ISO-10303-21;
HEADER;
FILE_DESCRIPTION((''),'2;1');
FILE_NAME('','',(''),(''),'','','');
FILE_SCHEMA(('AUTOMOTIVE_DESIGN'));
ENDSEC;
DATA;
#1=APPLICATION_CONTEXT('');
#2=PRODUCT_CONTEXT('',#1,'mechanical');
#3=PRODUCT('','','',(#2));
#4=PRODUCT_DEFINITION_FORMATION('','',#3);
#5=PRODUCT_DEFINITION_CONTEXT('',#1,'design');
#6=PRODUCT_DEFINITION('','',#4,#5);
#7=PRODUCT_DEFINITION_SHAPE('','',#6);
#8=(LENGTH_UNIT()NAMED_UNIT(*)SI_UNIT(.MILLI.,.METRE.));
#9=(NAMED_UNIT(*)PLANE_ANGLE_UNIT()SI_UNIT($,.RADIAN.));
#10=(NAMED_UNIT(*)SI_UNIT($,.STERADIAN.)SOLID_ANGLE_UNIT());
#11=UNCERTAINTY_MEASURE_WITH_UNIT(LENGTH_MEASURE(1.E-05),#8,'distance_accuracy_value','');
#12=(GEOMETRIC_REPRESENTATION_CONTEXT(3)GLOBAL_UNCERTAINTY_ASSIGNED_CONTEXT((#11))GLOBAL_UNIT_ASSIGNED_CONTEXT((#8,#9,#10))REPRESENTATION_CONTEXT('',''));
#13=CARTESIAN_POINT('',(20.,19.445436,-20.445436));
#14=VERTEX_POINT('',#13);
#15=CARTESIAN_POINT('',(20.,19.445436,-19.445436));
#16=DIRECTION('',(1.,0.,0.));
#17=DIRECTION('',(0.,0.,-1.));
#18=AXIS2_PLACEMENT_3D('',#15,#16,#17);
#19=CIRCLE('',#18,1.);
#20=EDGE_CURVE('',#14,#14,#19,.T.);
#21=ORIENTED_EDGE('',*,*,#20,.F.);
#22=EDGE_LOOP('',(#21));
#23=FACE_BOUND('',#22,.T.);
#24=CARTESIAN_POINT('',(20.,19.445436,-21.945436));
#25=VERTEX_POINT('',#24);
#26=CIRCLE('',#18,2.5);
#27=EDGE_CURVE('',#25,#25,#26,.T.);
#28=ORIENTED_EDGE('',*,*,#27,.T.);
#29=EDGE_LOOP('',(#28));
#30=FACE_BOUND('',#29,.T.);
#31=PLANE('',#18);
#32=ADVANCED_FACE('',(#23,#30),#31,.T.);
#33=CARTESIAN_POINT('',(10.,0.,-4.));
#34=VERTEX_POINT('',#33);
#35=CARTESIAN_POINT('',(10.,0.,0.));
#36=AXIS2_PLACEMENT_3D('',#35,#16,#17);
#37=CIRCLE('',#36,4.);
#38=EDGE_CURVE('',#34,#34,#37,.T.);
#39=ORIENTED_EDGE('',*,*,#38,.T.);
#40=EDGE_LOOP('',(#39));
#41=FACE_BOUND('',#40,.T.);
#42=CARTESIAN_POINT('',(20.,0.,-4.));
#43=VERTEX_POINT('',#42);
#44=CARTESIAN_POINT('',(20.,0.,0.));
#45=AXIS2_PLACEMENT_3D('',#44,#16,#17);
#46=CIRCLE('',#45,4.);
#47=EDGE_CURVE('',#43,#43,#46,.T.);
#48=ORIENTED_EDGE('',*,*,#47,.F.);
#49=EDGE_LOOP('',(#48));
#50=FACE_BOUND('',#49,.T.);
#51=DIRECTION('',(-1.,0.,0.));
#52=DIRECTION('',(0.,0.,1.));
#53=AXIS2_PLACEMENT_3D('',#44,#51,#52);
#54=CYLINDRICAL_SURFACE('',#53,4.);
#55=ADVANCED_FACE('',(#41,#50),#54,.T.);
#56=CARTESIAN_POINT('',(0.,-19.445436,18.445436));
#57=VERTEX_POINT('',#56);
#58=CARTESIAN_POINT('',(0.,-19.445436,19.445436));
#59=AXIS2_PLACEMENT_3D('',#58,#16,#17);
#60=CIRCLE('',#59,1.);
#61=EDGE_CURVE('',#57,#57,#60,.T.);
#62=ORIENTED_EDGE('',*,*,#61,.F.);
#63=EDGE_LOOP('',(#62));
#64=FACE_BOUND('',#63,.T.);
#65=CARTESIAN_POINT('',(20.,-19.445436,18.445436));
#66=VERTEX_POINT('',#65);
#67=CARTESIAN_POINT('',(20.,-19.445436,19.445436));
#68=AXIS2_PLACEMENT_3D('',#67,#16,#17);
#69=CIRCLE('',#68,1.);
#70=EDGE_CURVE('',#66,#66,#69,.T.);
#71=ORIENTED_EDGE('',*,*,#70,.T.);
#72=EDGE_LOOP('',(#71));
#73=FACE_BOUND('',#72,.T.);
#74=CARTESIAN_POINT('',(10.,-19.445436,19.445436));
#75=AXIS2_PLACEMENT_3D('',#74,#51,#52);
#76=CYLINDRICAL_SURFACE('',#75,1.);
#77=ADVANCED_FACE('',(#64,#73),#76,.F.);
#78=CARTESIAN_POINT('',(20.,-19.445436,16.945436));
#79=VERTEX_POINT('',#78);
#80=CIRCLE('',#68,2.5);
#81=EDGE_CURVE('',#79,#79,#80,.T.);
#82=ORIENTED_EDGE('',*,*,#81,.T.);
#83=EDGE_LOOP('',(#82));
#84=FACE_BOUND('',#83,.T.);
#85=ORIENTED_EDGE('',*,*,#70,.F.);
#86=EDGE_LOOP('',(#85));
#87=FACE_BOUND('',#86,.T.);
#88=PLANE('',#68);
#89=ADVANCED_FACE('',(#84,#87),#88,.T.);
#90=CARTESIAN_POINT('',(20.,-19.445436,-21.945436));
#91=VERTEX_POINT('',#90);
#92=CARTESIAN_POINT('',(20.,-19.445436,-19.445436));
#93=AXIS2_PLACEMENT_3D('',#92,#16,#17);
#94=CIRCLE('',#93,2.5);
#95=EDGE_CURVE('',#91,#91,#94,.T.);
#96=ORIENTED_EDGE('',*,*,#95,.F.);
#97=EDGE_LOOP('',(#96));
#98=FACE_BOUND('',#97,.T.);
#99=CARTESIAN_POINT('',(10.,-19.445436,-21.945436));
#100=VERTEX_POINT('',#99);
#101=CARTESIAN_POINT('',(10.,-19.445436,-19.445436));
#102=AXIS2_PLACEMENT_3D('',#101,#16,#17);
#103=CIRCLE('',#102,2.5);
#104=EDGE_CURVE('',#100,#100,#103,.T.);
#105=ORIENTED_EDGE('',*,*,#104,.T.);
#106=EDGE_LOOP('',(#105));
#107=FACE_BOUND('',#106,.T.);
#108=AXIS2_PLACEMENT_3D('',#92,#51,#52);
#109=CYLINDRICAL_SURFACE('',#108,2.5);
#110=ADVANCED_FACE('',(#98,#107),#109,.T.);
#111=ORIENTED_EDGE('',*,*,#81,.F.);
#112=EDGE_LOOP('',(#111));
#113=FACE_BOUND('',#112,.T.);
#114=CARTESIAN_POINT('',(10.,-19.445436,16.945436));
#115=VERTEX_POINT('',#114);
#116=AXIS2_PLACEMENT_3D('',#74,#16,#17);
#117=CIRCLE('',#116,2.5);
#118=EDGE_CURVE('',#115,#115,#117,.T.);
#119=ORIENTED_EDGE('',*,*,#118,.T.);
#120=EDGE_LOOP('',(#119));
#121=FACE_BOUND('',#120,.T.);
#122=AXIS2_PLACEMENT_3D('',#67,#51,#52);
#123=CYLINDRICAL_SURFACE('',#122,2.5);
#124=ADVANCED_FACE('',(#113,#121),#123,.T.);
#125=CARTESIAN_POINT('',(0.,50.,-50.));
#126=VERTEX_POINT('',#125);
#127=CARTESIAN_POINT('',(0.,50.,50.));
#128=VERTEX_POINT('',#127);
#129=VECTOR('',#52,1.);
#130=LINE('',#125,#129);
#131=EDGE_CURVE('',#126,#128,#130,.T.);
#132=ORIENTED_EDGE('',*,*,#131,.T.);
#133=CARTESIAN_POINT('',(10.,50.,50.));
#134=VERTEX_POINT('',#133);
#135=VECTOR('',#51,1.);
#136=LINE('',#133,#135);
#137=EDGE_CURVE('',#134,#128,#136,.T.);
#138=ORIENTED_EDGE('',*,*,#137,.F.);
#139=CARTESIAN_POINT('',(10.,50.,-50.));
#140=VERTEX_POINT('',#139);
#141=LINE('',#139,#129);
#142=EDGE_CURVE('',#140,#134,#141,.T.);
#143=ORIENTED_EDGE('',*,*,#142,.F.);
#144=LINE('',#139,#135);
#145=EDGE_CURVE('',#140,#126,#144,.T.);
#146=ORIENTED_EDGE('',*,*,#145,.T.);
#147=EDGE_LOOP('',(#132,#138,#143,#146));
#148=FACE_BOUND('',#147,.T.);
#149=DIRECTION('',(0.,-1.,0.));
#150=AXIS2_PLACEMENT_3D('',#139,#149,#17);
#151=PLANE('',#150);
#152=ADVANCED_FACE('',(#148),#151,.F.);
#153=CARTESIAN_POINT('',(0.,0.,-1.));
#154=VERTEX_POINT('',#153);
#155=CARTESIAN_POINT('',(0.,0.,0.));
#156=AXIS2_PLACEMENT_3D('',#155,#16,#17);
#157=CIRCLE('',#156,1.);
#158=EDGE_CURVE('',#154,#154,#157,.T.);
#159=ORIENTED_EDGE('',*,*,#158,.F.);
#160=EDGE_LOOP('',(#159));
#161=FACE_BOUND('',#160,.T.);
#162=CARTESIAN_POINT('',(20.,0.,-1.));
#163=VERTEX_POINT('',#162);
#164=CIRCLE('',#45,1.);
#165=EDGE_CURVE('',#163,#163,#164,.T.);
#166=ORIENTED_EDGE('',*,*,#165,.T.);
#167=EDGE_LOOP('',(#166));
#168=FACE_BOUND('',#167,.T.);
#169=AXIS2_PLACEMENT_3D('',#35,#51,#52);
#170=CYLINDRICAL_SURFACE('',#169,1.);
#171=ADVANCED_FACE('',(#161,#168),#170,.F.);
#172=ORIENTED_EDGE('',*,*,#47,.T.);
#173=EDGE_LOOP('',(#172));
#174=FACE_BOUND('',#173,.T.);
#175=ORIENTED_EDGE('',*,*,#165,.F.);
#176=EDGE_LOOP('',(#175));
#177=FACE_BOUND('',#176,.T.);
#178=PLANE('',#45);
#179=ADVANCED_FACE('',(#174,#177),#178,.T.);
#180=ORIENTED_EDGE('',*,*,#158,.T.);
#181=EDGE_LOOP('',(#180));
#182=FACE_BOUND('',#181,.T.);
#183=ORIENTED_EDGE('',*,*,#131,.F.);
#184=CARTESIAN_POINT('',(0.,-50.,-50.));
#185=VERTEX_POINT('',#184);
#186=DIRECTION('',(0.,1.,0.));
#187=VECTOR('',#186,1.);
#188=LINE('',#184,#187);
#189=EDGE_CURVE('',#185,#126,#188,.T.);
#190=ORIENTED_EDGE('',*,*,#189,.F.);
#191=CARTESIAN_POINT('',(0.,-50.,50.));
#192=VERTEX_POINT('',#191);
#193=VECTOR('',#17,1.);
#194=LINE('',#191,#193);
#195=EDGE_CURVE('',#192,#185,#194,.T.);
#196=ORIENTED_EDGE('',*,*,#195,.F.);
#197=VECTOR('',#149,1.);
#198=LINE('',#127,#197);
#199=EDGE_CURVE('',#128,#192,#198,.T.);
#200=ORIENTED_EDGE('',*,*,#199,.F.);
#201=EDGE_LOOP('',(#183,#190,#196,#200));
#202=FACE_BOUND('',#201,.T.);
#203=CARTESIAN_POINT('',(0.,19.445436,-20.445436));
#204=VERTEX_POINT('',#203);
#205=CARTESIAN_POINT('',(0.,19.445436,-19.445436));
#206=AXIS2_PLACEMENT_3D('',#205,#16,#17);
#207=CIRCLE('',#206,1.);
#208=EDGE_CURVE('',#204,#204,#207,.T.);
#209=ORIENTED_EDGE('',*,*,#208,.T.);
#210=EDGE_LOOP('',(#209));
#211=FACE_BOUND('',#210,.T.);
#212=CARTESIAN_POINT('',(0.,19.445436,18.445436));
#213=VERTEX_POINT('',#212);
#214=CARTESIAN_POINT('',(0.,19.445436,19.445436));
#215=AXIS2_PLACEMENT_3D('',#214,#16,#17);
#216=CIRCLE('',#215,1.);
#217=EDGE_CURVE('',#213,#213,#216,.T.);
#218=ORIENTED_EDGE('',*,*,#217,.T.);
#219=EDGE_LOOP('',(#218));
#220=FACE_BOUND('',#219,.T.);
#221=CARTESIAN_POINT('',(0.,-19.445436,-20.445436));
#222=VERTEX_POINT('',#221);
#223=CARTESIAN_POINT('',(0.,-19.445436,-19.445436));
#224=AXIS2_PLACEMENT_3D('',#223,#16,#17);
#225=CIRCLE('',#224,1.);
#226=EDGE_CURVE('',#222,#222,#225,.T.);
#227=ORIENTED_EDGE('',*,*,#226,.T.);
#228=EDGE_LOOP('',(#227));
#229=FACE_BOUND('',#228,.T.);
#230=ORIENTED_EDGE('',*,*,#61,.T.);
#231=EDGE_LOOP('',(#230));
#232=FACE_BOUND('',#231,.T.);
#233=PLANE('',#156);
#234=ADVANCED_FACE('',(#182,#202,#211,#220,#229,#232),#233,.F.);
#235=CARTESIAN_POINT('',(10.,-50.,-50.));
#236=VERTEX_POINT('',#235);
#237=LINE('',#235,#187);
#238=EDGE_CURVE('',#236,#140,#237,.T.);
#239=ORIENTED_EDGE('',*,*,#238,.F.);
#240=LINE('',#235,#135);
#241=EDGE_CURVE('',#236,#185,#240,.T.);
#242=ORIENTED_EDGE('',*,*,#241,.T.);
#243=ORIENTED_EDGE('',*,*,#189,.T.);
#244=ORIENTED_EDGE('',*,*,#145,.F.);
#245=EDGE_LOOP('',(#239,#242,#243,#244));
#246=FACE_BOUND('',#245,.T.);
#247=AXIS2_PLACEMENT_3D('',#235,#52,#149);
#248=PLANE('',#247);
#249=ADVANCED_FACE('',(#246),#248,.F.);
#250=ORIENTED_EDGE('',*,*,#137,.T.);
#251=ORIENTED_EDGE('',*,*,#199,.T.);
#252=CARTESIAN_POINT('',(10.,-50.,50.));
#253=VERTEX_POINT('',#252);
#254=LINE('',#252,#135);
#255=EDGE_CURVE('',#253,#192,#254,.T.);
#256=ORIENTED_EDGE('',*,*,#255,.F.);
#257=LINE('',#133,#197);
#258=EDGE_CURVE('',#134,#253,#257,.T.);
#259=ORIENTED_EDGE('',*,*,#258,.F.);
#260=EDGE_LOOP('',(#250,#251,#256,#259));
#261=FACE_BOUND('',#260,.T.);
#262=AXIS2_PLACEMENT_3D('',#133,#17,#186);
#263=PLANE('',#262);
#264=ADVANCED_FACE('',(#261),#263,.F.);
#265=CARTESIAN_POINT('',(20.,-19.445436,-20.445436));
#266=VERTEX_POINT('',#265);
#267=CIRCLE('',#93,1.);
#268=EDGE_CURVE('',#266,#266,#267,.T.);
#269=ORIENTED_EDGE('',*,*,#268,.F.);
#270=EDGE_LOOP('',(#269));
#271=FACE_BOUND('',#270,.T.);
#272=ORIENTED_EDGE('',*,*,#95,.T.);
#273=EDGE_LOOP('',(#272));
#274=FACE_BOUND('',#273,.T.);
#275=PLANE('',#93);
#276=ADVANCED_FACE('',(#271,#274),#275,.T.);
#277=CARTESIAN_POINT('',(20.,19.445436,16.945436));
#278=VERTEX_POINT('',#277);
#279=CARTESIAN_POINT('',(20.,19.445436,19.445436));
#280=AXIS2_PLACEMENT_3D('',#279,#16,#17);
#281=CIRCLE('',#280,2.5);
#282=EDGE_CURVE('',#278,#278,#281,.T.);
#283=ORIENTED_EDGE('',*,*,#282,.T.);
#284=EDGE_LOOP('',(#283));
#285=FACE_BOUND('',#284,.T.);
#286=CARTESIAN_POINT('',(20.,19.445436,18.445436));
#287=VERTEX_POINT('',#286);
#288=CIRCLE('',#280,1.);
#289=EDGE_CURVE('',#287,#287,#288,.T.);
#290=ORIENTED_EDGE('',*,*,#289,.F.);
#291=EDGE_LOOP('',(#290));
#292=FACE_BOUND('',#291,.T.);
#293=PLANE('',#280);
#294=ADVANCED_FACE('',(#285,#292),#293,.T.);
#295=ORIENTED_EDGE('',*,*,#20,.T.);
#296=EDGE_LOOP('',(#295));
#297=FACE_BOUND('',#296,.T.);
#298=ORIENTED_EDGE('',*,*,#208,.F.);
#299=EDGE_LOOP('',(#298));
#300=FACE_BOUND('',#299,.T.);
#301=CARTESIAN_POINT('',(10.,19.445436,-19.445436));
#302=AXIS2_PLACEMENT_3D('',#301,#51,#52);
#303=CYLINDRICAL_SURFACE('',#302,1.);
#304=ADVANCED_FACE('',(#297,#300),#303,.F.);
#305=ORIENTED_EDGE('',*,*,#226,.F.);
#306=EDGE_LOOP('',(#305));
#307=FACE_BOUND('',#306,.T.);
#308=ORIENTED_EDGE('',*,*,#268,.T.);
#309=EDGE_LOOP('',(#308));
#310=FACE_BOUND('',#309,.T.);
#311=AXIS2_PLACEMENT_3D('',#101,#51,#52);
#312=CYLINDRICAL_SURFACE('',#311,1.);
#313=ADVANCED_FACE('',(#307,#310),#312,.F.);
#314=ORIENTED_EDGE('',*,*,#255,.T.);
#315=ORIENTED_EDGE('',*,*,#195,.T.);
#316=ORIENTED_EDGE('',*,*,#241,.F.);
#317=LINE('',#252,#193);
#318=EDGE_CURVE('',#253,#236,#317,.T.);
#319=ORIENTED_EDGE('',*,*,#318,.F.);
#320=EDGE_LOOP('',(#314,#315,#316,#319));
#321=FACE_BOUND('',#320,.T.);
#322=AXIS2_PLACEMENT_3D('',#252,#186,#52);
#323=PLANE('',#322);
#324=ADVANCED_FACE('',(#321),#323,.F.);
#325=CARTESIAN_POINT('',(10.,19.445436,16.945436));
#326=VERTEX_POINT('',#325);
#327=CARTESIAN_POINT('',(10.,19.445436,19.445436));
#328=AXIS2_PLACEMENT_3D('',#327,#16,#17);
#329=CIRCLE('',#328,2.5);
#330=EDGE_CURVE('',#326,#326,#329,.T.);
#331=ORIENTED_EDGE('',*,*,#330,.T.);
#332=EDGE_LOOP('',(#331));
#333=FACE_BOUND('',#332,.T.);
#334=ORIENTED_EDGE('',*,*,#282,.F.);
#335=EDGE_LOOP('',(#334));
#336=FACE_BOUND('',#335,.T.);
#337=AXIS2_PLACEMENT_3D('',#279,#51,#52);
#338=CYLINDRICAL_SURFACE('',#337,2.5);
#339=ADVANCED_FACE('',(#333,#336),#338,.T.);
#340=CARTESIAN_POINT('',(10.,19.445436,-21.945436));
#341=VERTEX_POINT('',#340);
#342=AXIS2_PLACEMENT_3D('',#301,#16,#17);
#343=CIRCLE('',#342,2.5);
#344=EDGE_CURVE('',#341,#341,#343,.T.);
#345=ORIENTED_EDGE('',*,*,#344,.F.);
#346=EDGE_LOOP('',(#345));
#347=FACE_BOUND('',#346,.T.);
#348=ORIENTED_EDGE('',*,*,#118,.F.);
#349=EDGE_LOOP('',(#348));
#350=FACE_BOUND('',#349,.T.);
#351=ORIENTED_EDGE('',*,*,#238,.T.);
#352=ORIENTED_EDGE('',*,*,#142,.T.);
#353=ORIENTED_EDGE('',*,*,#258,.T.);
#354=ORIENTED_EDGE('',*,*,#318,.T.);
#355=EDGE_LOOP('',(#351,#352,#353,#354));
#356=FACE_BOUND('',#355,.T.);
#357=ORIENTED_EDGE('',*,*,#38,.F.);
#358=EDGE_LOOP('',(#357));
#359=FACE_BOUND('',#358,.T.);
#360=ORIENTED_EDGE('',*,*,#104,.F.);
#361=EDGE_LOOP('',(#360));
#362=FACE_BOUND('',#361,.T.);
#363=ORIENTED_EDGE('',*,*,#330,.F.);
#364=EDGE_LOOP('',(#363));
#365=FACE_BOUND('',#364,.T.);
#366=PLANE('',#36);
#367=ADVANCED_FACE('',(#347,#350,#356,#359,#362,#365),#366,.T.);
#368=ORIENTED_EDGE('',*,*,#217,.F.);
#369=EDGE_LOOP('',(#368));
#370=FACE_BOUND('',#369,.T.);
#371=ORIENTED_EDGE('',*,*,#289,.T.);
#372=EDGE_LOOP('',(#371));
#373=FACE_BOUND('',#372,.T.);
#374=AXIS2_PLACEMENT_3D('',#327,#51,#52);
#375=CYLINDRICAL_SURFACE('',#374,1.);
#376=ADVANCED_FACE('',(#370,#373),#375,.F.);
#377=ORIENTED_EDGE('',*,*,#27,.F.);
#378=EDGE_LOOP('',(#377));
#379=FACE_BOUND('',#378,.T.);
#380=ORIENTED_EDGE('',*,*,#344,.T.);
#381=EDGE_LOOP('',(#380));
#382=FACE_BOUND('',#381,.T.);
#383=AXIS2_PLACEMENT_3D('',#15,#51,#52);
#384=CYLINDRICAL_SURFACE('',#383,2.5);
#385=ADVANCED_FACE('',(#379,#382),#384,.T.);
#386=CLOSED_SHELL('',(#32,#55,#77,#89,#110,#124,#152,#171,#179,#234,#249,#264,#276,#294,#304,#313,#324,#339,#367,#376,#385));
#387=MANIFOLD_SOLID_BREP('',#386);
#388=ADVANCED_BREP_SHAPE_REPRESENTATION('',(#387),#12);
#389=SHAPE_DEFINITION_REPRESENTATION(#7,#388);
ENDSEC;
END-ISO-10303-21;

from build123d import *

# Parameters (mm, degrees)
SKETCH1_W           = 100
SKETCH1_H           = 100
SKETCH1_R           = 1
BOSS_EXTRUDE2_DEPTH = 10
SKETCH2_R           = 4
SKETCH2_R_2         = 1
SKETCH2_R_3         = 2.5
BOSS_EXTRUDE3_DEPTH = 10


with BuildPart() as part:
    # Sketch1 → Boss-Extrude2 (new body)
    with BuildSketch(Plane(origin=(0, 0, 0), x_dir=(0, 0, -1), z_dir=(1, 0, 0))):
        Rectangle(SKETCH1_W, SKETCH1_H)
        with Locations((19.445436483, 19.445436483)):
            Circle(SKETCH1_R, mode=Mode.SUBTRACT)
        with Locations((19.445436483, -19.445436483)):
            Circle(SKETCH1_R, mode=Mode.SUBTRACT)
        with Locations((-19.445436483, -19.445436483)):
            Circle(SKETCH1_R, mode=Mode.SUBTRACT)
        with Locations((-19.445436483, 19.445436483)):
            Circle(SKETCH1_R, mode=Mode.SUBTRACT)
        Circle(SKETCH1_R, mode=Mode.SUBTRACT)
    extrude(amount=BOSS_EXTRUDE2_DEPTH)

    # Sketch2 → Boss-Extrude3 (add)
    # profile 1 of 5: a face of its own
    with BuildSketch(Plane(origin=(10, 0, 0), x_dir=(0, 0, -1), z_dir=(1, 0, 0))):
        Circle(SKETCH2_R)
        Circle(SKETCH2_R_2, mode=Mode.SUBTRACT)
    # profile 2 of 5: a face of its own
    with BuildSketch(Plane(origin=(10, 0, 0), x_dir=(0, 0, -1), z_dir=(1, 0, 0))):
        with Locations((19.445436483, 19.445436483)):
            Circle(SKETCH2_R_3)
        with Locations((19.445436483, 19.445436483)):
            Circle(SKETCH2_R_2, mode=Mode.SUBTRACT)
    # profile 3 of 5: a face of its own
    with BuildSketch(Plane(origin=(10, 0, 0), x_dir=(0, 0, -1), z_dir=(1, 0, 0))):
        with Locations((19.445436483, -19.445436483)):
            Circle(SKETCH2_R_3)
        with Locations((19.445436483, -19.445436483)):
            Circle(SKETCH2_R_2, mode=Mode.SUBTRACT)
    # profile 4 of 5: a face of its own
    with BuildSketch(Plane(origin=(10, 0, 0), x_dir=(0, 0, -1), z_dir=(1, 0, 0))):
        with Locations((-19.445436483, -19.445436483)):
            Circle(SKETCH2_R_3)
        with Locations((-19.445436483, -19.445436483)):
            Circle(SKETCH2_R_2, mode=Mode.SUBTRACT)
    # profile 5 of 5: a face of its own
    with BuildSketch(Plane(origin=(10, 0, 0), x_dir=(0, 0, -1), z_dir=(1, 0, 0))):
        with Locations((-19.445436483, 19.445436483)):
            Circle(SKETCH2_R_3)
        with Locations((-19.445436483, 19.445436483)):
            Circle(SKETCH2_R_2, mode=Mode.SUBTRACT)
    extrude(amount=BOSS_EXTRUDE3_DEPTH)


solid = part.part
